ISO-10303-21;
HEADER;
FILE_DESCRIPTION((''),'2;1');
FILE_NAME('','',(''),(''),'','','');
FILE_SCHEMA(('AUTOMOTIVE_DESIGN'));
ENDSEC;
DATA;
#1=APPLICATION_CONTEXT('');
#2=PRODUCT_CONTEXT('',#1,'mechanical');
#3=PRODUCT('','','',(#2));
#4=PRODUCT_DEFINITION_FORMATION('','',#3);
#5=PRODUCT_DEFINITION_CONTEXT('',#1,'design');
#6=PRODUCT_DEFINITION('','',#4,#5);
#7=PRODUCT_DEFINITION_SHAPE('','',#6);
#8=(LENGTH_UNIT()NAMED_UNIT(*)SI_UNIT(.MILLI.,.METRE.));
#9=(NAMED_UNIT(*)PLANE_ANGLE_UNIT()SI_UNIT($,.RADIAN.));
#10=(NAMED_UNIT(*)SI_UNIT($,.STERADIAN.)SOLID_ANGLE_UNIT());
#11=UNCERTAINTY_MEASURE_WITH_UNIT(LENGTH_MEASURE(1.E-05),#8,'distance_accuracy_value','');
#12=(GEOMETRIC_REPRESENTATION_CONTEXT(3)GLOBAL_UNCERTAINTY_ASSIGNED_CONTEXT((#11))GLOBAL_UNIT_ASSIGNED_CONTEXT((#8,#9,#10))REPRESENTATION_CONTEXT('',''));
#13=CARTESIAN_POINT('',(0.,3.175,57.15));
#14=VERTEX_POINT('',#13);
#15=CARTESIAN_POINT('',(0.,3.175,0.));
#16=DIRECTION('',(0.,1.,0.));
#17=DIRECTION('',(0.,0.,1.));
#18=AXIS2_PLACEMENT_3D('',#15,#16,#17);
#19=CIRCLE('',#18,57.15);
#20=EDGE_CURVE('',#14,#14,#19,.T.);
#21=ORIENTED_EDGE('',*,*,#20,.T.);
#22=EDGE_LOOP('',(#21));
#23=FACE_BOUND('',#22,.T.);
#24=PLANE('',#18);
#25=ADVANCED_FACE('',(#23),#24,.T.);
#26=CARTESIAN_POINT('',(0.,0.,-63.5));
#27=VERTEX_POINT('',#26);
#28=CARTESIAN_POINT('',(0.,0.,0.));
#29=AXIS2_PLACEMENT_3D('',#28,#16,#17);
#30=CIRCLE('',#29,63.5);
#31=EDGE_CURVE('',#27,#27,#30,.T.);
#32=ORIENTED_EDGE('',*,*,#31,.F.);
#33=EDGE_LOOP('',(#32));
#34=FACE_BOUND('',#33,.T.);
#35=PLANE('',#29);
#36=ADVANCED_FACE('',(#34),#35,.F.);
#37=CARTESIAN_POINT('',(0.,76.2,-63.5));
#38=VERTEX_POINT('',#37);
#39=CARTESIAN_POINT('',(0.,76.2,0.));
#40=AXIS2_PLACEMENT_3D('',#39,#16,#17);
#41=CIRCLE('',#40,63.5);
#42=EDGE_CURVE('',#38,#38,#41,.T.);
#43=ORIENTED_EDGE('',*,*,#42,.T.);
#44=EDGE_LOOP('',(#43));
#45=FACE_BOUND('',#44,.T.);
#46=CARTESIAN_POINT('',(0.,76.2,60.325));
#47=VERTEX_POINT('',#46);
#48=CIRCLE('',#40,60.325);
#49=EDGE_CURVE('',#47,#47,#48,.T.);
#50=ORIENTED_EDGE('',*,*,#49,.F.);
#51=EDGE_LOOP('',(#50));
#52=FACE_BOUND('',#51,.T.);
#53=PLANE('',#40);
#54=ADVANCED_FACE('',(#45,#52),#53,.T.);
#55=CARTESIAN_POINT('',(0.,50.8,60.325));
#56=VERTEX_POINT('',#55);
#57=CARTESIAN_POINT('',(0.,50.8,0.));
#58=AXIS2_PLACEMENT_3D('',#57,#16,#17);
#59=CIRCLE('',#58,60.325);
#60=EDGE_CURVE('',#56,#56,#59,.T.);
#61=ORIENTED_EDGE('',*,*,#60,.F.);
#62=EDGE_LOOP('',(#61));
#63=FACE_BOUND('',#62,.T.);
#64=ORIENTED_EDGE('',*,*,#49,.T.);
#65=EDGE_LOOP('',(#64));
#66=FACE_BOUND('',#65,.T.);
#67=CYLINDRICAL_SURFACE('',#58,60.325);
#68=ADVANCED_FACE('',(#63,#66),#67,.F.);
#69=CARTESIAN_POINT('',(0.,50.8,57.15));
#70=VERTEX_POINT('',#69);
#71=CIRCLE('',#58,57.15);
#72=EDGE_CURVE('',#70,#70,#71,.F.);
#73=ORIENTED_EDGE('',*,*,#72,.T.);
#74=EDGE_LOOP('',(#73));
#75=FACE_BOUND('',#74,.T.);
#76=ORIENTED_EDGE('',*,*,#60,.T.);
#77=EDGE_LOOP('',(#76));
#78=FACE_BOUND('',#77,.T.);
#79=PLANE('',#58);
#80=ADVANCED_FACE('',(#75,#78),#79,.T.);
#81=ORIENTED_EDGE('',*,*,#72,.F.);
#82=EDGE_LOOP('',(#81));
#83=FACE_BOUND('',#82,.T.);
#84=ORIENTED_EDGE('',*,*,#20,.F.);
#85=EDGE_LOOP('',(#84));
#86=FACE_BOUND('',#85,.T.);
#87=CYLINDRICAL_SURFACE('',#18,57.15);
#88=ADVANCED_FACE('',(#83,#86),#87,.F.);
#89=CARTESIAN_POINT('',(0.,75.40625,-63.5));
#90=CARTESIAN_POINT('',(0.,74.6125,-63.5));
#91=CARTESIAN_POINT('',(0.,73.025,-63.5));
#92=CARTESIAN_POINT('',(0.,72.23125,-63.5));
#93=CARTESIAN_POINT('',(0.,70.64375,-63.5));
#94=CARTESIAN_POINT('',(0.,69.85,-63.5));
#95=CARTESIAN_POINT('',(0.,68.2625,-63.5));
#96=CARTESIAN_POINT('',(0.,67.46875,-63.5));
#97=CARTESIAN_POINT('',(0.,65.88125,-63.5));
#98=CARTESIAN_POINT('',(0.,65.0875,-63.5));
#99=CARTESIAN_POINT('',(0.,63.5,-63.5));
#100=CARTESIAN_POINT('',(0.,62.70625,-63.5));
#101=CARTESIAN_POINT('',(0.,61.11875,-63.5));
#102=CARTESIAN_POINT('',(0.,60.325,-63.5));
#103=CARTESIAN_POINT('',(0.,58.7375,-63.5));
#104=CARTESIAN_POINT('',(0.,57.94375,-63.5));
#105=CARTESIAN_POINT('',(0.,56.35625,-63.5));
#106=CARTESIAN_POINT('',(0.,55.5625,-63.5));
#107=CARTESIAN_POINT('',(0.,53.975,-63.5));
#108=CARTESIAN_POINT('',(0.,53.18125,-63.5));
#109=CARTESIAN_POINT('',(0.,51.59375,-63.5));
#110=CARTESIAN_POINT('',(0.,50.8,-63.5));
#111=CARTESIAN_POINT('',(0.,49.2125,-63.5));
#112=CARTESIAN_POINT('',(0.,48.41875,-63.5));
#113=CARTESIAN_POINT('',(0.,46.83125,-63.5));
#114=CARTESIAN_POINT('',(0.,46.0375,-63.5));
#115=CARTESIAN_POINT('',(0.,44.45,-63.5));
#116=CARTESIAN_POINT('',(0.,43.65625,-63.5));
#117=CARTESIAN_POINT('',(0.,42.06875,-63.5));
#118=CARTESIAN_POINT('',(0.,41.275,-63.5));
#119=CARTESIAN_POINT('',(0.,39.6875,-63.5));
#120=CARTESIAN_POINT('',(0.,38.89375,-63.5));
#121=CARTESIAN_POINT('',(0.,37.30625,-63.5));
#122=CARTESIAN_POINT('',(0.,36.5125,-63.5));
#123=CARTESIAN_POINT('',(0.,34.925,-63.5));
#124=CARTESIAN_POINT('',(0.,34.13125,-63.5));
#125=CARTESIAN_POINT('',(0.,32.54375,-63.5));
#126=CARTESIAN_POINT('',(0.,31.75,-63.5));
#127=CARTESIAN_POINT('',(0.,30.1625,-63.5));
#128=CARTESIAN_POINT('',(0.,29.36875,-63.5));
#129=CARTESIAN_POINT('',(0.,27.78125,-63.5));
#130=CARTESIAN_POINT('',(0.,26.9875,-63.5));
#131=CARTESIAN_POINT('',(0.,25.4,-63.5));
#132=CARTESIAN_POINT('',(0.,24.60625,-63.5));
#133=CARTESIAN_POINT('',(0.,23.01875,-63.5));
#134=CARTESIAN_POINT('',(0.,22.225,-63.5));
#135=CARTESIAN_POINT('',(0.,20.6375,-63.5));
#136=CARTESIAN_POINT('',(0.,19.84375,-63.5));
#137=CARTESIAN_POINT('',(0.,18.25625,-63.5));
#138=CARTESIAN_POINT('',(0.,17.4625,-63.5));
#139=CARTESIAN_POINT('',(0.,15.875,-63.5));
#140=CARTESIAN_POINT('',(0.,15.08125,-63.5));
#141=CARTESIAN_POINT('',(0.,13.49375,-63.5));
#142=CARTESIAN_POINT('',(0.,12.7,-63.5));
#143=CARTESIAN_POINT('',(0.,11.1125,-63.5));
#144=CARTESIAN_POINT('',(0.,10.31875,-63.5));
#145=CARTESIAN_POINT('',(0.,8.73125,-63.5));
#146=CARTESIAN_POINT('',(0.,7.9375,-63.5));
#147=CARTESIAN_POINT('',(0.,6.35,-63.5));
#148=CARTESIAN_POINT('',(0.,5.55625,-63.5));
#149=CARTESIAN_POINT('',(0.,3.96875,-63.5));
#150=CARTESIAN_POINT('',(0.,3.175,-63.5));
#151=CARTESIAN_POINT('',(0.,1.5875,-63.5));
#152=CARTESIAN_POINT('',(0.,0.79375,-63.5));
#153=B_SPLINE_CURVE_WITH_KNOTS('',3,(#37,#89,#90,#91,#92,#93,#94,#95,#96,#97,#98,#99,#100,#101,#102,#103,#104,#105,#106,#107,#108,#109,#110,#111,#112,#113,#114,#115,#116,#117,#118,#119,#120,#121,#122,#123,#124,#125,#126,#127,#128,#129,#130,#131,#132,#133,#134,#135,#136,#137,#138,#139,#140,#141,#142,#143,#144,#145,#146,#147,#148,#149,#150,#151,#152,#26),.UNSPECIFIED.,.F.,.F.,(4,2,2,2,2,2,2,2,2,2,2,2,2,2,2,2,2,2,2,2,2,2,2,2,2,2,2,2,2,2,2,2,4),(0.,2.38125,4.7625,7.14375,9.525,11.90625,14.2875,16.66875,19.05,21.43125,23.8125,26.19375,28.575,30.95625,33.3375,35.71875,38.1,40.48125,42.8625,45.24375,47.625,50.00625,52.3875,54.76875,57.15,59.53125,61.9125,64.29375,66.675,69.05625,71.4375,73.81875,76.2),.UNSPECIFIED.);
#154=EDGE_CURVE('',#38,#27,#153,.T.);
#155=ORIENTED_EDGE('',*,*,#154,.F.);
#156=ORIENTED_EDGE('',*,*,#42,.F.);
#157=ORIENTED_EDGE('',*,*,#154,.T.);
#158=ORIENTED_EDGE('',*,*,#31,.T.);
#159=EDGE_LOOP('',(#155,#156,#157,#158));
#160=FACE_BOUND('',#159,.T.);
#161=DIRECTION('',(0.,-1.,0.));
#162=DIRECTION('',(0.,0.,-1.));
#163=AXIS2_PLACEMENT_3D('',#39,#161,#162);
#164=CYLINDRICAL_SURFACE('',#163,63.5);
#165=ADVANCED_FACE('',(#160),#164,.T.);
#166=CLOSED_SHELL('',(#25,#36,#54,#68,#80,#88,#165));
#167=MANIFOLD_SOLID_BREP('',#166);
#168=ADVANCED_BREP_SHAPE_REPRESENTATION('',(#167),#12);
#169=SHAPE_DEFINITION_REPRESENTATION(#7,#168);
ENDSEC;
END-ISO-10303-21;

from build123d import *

# Parameters (mm, degrees)
SKETCH1_R           = 63.5
BOSS_EXTRUDE1_DEPTH = 76.2
SKETCH2_R           = 57.15
CUT_EXTRUDE1_DEPTH  = 73.025
SKETCH3_R           = 60.325
CUT_EXTRUDE2_DEPTH  = 25.4


with BuildPart() as part:
    # Sketch1 → Boss-Extrude1 (new body)
    with BuildSketch(Plane(origin=(0, 0, 0), x_dir=(1, 0, 0), z_dir=(0, 1, 0))):
        with Locations(Location((0, 0, 0), (0, 0, 90))):
            Circle(SKETCH1_R)
    extrude(amount=BOSS_EXTRUDE1_DEPTH)

    # Sketch2 → Cut-Extrude1 (cut)
    with BuildSketch(Plane(origin=(0, 76.2, 0), x_dir=(1, 0, 0), z_dir=(0, 1, 0))):
        with Locations(Location((0, 0, 0), (0, 0, 270))):
            Circle(SKETCH2_R)
    extrude(amount=-CUT_EXTRUDE1_DEPTH, mode=Mode.SUBTRACT)

    # Sketch3 → Cut-Extrude2 (cut)
    with BuildSketch(Plane(origin=(0, 76.2, 0), x_dir=(1, 0, 0), z_dir=(0, 1, 0))):
        with Locations(Location((0, 0, 0), (0, 0, 270))):
            Circle(SKETCH3_R)
    extrude(amount=-CUT_EXTRUDE2_DEPTH, mode=Mode.SUBTRACT)


solid = part.part
